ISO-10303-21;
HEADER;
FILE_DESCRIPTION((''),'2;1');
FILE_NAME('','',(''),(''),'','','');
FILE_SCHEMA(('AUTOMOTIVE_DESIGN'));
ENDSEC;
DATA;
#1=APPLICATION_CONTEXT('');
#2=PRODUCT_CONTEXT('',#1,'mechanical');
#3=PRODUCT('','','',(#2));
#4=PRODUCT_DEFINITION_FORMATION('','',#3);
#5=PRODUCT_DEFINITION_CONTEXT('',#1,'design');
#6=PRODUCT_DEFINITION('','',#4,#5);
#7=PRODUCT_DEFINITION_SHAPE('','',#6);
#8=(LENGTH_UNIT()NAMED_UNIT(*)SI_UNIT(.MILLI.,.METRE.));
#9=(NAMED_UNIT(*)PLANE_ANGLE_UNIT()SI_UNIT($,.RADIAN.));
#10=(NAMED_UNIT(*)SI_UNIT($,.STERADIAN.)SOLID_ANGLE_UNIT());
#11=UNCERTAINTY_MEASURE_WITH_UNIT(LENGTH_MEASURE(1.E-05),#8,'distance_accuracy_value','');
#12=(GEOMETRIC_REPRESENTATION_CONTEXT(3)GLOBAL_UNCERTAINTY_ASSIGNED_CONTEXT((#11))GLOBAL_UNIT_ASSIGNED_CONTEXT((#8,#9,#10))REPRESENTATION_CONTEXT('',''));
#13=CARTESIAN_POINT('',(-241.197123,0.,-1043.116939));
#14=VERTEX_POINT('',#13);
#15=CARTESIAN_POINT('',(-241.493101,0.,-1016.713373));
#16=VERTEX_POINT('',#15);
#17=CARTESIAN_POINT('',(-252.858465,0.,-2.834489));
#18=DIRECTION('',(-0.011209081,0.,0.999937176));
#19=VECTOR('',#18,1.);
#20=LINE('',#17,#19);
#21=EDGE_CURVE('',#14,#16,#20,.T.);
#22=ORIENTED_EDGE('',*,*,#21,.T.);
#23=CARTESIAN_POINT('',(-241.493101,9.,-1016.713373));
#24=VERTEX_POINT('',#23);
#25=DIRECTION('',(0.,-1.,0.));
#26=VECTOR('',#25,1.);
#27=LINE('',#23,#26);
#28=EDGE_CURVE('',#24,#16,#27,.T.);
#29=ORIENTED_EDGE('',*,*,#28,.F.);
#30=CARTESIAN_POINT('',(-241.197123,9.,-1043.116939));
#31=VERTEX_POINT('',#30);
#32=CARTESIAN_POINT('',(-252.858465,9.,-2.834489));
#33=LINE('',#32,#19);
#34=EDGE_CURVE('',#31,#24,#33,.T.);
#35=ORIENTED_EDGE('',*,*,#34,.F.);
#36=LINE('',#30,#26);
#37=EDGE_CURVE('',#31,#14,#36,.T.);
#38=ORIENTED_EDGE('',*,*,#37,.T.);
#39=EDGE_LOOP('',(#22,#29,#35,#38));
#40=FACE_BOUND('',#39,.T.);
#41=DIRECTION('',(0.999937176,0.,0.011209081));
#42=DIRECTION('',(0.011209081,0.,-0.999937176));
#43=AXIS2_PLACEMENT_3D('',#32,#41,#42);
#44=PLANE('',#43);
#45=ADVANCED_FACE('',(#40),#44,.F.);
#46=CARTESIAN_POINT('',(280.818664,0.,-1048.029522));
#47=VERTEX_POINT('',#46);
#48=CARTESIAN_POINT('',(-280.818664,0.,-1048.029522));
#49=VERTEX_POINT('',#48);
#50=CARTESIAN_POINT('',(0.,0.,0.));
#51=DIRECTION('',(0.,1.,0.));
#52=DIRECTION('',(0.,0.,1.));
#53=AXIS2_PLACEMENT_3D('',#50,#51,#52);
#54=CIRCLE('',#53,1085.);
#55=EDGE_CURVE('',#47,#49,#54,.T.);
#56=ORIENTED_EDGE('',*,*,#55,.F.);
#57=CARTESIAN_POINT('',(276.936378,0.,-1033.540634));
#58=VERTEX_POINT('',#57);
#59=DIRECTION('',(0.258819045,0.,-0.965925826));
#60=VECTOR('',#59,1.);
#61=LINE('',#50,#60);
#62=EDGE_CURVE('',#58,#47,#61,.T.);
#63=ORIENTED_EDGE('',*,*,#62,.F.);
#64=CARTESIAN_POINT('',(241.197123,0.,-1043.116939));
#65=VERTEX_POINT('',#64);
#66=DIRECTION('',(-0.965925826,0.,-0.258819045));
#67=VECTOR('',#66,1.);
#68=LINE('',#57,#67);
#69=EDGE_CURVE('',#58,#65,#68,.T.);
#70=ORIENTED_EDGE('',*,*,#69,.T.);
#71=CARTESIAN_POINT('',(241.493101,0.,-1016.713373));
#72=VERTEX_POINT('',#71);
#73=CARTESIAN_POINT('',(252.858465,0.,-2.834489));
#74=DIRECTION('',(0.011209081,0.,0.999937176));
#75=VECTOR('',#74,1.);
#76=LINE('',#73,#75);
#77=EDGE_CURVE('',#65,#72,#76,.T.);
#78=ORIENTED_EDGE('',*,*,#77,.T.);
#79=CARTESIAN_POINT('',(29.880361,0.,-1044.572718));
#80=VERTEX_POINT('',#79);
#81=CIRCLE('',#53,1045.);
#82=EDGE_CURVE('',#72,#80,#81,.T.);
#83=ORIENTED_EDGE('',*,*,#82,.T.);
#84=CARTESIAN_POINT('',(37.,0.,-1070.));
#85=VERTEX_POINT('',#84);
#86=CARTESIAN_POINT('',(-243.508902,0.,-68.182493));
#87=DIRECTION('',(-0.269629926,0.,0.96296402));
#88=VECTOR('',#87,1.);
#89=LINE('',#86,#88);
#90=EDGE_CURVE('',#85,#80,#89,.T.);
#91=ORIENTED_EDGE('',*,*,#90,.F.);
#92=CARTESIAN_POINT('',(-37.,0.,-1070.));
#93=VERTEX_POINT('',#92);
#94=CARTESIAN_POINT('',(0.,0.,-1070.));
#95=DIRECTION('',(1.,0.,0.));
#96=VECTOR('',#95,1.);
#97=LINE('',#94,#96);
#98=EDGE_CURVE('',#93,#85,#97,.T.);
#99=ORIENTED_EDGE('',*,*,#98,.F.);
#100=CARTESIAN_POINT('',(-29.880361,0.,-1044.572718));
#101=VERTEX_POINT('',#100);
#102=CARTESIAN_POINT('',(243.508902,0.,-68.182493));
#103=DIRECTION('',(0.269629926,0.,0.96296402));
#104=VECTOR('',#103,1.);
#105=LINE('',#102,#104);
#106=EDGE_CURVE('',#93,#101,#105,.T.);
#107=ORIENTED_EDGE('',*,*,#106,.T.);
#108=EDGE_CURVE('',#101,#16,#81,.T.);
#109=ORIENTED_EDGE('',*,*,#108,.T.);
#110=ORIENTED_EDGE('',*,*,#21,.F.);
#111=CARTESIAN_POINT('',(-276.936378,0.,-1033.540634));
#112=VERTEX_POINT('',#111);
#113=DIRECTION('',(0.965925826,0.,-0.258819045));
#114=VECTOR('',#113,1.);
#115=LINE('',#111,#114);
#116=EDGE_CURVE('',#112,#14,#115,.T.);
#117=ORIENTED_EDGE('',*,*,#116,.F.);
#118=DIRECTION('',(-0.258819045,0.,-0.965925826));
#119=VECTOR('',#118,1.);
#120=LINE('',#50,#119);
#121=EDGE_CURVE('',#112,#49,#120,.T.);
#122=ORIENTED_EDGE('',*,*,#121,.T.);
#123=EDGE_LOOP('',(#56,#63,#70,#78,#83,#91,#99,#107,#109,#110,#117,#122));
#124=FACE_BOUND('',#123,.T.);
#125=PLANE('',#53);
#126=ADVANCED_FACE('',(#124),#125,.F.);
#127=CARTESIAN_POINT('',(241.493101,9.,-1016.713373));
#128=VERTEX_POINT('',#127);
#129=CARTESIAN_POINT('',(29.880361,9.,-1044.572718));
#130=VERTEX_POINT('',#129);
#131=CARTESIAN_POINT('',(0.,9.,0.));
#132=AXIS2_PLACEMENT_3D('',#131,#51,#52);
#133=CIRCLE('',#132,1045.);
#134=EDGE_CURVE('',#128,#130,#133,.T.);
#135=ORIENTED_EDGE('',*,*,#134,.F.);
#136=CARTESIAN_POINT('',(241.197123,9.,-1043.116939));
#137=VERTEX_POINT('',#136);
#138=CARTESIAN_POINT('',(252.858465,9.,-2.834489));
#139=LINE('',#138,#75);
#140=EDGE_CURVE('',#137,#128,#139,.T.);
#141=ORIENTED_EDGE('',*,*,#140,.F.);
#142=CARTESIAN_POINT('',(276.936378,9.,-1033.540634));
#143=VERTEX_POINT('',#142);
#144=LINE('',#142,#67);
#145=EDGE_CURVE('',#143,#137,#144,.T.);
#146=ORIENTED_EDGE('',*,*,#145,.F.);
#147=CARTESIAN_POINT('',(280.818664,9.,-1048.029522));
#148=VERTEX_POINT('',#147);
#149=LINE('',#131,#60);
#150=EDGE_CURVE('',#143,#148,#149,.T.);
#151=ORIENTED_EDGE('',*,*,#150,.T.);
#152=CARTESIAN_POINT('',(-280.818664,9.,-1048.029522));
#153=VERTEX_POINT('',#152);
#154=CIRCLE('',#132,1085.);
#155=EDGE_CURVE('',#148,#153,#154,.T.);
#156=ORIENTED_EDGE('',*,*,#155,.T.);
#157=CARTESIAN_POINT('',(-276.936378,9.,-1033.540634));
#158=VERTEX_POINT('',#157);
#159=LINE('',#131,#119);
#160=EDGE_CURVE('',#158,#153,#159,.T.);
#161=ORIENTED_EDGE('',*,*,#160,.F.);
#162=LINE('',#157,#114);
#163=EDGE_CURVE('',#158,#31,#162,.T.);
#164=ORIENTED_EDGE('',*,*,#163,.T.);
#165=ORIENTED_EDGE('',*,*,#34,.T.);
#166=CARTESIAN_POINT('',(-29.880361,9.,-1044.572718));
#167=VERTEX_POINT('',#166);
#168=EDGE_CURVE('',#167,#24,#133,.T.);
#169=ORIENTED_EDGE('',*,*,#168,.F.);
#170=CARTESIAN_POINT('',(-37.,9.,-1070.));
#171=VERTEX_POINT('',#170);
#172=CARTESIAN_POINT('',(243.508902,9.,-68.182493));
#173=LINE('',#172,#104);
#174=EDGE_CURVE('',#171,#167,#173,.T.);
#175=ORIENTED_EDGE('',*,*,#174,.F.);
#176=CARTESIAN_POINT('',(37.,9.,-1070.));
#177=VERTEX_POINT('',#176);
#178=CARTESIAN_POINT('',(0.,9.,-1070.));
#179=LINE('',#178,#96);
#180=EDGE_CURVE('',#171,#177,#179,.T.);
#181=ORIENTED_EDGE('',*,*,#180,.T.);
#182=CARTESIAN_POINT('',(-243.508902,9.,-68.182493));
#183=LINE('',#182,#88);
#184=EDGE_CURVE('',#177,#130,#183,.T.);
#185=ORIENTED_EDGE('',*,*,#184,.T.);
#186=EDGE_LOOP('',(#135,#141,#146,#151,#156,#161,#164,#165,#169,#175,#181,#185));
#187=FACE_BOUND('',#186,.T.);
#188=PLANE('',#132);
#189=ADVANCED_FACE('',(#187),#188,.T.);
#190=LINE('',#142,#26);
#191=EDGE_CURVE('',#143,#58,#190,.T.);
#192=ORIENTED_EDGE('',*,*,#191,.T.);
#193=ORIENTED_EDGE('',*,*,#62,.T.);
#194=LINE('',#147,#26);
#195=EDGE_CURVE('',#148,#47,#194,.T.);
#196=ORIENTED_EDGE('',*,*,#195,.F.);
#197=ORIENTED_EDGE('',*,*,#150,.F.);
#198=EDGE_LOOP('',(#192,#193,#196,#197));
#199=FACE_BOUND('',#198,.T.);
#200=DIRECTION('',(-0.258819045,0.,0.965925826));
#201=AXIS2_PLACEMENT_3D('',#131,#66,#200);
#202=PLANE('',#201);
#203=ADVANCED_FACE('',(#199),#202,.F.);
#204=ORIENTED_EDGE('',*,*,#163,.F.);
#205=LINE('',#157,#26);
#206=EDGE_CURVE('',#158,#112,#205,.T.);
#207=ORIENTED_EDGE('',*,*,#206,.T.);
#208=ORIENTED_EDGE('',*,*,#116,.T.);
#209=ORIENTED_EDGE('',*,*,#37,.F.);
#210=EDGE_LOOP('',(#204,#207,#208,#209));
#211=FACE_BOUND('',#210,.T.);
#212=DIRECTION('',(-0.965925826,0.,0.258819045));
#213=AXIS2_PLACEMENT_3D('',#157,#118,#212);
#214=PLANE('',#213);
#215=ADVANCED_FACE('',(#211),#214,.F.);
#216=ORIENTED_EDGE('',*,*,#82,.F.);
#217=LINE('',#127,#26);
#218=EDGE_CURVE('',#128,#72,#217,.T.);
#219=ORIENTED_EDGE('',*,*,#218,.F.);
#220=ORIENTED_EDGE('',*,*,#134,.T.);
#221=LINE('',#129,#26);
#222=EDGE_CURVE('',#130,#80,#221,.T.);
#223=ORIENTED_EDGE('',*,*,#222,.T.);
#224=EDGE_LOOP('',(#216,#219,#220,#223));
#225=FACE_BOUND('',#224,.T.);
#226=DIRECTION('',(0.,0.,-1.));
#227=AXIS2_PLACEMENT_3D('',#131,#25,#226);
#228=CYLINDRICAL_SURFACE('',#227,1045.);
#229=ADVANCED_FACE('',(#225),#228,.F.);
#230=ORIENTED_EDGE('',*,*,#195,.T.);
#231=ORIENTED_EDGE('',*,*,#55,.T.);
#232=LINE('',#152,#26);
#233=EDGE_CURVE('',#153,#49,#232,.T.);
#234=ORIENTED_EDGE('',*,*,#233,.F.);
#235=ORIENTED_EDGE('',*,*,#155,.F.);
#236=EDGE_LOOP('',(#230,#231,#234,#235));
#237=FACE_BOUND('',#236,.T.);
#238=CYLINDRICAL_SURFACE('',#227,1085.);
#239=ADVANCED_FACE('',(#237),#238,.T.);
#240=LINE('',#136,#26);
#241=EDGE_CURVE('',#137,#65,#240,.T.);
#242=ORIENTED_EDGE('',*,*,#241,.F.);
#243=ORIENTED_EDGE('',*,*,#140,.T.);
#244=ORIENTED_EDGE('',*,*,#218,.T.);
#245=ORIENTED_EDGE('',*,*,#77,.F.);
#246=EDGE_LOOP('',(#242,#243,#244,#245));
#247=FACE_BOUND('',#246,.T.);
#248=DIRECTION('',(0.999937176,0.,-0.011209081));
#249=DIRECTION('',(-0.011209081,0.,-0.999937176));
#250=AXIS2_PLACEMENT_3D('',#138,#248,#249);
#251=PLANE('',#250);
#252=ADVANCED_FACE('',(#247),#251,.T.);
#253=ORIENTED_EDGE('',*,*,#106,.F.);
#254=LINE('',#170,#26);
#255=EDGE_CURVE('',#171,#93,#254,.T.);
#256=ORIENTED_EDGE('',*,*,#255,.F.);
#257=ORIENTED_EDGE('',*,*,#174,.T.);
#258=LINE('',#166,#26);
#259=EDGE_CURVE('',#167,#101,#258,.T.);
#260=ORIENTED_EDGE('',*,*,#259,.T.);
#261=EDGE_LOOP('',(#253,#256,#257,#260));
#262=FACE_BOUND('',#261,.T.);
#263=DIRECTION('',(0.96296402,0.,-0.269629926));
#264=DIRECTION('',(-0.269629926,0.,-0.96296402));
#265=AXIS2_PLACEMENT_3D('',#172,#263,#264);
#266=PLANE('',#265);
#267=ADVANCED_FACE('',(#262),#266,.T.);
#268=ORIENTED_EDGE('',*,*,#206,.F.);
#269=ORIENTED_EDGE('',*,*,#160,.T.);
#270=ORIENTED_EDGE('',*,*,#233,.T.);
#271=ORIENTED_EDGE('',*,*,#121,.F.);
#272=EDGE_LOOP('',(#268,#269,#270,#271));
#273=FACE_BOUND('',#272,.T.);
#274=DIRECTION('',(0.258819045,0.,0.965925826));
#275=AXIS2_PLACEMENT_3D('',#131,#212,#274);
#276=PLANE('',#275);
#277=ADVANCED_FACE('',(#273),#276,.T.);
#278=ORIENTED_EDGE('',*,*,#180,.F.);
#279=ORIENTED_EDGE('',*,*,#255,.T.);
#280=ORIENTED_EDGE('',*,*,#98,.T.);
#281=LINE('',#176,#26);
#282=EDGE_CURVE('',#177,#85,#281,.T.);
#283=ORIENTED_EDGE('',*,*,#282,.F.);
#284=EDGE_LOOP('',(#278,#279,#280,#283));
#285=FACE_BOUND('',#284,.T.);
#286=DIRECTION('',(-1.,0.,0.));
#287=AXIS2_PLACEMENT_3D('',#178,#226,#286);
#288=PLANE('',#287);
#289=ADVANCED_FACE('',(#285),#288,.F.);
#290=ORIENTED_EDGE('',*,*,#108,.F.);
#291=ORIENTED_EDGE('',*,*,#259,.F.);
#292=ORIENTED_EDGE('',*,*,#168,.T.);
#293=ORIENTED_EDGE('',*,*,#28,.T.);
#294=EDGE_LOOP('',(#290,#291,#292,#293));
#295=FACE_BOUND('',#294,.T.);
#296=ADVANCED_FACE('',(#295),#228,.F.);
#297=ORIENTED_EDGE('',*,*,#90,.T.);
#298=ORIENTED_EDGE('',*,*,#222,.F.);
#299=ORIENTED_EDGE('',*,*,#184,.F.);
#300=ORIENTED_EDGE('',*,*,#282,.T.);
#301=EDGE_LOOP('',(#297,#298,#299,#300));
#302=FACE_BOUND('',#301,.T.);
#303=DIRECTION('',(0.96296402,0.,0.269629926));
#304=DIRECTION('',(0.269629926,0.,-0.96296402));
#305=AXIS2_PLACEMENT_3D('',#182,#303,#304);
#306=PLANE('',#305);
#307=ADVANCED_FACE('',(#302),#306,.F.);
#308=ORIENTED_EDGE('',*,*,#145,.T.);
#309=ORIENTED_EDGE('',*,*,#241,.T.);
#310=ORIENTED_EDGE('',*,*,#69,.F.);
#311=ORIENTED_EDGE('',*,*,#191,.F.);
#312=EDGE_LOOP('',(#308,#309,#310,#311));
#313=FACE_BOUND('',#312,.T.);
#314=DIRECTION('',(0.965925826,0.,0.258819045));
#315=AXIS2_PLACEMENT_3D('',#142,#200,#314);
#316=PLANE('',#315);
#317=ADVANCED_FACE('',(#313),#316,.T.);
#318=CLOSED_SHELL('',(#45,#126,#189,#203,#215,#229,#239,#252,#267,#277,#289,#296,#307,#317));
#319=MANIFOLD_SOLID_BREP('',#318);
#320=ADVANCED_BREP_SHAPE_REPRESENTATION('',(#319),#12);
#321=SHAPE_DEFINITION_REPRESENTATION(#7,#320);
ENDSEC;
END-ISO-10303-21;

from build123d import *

# Parameters (mm, degrees)
BOSS_EXTRUDE1_DEPTH = 9


with BuildPart() as part:
    # Sketch1 → Boss-Extrude1 (new body)
    with BuildSketch(Plane(origin=(0, 0, 0), x_dir=(1, 0, 0), z_dir=(0, 1, 0))):
        with BuildLine():
            Line((-280.818663936, 1048.029521524), (-276.93637826, 1033.540634129))
            Line((-276.93637826, 1033.540634129), (-241.197122687, 1043.116938798))
            Line((-241.197122687, 1043.116938798), (-241.488127343, 1017.157059825))
            Line((-241.488127343, 1017.157059825), (-241.493100981, 1016.713372676))
            ThreePointArc((-241.493100981, 1016.713372676), (-136.39987087, 1036.059880136), (-29.880361151, 1044.572718396))
            Line((-29.880361151, 1044.572718396), (-30, 1045))
            Line((-30, 1045), (-37, 1070))
            Line((-37, 1070), (37, 1070))
            Line((37, 1070), (30, 1045))
            Line((30, 1045), (29.880361151, 1044.572718396))
            ThreePointArc((29.880361151, 1044.572718396), (136.39987087, 1036.059880136), (241.493100981, 1016.713372676))
            Line((241.493100981, 1016.713372676), (241.488127343, 1017.157059825))
            Line((241.488127343, 1017.157059825), (241.197122687, 1043.116938798))
            Line((241.197122687, 1043.116938798), (276.93637826, 1033.540634129))
            Line((276.93637826, 1033.540634129), (280.818663936, 1048.029521524))
            ThreePointArc((280.818663936, 1048.029521524), (0, 1085), (-280.818663936, 1048.029521524))
        make_face()
    extrude(amount=BOSS_EXTRUDE1_DEPTH)


solid = part.part
